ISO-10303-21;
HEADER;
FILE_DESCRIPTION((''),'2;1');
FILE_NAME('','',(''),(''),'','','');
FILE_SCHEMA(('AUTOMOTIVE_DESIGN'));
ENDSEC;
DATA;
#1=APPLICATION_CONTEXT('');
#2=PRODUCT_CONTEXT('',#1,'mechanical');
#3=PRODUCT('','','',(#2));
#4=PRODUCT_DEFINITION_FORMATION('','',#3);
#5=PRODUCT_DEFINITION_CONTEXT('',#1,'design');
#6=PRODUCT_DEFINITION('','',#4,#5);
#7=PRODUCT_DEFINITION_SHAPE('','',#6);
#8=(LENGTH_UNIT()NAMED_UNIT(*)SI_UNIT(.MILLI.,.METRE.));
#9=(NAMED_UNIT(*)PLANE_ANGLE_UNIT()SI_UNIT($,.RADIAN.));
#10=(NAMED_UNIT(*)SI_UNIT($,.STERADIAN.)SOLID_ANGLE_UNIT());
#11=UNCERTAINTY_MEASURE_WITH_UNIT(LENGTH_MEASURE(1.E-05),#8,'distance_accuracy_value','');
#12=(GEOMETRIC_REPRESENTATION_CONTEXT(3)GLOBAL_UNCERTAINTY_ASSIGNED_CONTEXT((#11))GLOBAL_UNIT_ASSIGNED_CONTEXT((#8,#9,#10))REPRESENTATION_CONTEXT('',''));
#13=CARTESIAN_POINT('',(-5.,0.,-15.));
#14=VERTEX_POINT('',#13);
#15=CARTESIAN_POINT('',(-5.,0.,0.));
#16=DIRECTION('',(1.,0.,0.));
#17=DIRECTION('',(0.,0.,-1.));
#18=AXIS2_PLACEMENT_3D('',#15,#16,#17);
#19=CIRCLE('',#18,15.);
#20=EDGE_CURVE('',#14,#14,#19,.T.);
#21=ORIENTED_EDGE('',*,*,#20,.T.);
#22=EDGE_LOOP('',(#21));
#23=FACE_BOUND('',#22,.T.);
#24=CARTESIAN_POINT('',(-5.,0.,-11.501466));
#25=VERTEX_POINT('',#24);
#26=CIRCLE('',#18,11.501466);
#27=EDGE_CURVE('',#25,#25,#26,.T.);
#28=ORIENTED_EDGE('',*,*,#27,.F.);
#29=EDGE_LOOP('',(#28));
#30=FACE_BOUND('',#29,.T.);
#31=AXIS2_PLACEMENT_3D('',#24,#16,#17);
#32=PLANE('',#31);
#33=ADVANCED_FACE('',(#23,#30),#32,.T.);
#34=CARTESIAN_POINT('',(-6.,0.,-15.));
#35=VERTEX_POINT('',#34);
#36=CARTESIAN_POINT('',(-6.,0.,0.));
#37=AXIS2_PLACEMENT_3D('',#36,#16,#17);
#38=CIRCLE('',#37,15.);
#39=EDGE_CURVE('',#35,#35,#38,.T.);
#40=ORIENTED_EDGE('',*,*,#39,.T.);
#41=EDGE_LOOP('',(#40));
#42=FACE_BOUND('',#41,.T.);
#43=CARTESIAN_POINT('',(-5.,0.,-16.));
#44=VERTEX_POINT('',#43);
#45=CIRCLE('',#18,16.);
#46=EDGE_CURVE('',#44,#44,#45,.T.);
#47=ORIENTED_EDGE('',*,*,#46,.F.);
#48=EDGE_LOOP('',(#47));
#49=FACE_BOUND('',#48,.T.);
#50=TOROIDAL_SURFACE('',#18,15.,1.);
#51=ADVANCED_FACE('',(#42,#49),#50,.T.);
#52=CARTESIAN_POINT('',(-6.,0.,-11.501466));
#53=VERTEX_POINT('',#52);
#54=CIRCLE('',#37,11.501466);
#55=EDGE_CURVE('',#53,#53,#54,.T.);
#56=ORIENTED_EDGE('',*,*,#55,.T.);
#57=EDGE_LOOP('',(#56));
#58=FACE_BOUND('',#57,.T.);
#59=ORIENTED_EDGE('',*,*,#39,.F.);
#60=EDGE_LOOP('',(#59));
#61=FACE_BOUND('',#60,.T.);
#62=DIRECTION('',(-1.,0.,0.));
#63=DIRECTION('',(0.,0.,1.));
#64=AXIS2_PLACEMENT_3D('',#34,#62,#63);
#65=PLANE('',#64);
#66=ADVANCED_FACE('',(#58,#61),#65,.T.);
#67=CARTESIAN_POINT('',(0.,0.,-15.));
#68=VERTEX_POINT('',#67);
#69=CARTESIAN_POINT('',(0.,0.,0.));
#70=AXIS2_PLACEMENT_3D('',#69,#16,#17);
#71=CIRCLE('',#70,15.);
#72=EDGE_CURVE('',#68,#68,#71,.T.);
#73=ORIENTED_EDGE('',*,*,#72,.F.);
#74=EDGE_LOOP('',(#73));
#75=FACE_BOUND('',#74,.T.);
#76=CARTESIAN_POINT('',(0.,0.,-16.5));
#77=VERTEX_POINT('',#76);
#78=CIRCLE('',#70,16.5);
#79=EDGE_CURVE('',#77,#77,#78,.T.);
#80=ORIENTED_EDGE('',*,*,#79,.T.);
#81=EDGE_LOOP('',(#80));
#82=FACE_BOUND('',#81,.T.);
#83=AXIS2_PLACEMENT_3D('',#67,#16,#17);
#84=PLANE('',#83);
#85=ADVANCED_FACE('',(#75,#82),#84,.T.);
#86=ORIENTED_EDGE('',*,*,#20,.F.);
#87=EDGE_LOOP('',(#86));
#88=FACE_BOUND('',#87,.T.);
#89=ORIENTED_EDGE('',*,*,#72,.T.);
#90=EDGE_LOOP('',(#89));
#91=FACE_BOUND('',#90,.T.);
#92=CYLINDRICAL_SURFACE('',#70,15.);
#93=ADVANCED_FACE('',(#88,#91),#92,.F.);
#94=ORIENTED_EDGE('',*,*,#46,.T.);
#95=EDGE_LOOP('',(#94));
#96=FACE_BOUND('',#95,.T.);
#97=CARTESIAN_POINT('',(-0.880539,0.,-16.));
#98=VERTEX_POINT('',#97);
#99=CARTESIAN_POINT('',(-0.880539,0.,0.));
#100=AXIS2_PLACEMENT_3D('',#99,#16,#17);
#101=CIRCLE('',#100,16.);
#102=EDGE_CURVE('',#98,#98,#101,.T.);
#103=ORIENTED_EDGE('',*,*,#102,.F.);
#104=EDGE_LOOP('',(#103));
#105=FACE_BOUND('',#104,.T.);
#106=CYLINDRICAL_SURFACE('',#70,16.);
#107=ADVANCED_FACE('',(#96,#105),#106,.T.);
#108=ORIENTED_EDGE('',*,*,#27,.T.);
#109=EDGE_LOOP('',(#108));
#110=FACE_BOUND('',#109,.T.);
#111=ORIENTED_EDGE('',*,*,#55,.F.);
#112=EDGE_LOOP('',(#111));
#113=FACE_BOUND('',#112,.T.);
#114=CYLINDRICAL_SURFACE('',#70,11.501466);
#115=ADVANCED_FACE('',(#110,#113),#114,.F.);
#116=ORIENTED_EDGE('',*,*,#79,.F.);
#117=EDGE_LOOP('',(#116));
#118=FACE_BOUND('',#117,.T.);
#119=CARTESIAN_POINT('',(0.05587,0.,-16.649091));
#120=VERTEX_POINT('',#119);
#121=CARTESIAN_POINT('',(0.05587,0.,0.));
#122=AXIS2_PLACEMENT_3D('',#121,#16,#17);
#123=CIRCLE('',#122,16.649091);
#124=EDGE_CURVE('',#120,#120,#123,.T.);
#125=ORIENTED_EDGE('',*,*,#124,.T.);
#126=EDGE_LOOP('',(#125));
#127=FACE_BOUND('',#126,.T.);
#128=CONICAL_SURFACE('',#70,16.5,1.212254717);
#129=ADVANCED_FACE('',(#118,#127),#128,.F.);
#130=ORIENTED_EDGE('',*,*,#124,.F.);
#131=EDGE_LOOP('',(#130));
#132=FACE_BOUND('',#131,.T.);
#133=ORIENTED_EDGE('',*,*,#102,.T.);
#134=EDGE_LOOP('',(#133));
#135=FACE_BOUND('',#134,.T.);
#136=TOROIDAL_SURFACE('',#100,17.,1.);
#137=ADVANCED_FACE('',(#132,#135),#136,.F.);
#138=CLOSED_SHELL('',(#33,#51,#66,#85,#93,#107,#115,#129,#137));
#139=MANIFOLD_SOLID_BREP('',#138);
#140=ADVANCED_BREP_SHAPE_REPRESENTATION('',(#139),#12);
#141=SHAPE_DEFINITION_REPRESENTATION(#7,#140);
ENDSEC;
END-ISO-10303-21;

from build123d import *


with BuildPart() as part:
    # Croquis1 → Revolución1 (revolve)
    with BuildSketch(Plane(origin=(0, 0, 0), x_dir=(1, 0, 0), z_dir=(0, 1, 0))):
        with BuildLine():
            Line((-0.88053939, 16), (-5, 16))
            ThreePointArc((-5, 16), (-5.707106781, 15.707106781), (-6, 15))
            Line((-6, 15), (-6, 11.50146596))
            Line((-6, 11.50146596), (-5, 11.50146596))
            Line((-5, 11.50146596), (-5, 15))
            Line((-5, 15), (0, 15))
            Line((0, 15), (0, 16.5))
            Line((0, 16.5), (0.055870191, 16.649091044))
            ThreePointArc((0.055870191, 16.649091044), (-0.310850421, 16.178139624), (-0.88053939, 16))
        make_face()
    revolve(axis=Axis((0, 0, 0), (-1, 0, 0)))


solid = part.part
